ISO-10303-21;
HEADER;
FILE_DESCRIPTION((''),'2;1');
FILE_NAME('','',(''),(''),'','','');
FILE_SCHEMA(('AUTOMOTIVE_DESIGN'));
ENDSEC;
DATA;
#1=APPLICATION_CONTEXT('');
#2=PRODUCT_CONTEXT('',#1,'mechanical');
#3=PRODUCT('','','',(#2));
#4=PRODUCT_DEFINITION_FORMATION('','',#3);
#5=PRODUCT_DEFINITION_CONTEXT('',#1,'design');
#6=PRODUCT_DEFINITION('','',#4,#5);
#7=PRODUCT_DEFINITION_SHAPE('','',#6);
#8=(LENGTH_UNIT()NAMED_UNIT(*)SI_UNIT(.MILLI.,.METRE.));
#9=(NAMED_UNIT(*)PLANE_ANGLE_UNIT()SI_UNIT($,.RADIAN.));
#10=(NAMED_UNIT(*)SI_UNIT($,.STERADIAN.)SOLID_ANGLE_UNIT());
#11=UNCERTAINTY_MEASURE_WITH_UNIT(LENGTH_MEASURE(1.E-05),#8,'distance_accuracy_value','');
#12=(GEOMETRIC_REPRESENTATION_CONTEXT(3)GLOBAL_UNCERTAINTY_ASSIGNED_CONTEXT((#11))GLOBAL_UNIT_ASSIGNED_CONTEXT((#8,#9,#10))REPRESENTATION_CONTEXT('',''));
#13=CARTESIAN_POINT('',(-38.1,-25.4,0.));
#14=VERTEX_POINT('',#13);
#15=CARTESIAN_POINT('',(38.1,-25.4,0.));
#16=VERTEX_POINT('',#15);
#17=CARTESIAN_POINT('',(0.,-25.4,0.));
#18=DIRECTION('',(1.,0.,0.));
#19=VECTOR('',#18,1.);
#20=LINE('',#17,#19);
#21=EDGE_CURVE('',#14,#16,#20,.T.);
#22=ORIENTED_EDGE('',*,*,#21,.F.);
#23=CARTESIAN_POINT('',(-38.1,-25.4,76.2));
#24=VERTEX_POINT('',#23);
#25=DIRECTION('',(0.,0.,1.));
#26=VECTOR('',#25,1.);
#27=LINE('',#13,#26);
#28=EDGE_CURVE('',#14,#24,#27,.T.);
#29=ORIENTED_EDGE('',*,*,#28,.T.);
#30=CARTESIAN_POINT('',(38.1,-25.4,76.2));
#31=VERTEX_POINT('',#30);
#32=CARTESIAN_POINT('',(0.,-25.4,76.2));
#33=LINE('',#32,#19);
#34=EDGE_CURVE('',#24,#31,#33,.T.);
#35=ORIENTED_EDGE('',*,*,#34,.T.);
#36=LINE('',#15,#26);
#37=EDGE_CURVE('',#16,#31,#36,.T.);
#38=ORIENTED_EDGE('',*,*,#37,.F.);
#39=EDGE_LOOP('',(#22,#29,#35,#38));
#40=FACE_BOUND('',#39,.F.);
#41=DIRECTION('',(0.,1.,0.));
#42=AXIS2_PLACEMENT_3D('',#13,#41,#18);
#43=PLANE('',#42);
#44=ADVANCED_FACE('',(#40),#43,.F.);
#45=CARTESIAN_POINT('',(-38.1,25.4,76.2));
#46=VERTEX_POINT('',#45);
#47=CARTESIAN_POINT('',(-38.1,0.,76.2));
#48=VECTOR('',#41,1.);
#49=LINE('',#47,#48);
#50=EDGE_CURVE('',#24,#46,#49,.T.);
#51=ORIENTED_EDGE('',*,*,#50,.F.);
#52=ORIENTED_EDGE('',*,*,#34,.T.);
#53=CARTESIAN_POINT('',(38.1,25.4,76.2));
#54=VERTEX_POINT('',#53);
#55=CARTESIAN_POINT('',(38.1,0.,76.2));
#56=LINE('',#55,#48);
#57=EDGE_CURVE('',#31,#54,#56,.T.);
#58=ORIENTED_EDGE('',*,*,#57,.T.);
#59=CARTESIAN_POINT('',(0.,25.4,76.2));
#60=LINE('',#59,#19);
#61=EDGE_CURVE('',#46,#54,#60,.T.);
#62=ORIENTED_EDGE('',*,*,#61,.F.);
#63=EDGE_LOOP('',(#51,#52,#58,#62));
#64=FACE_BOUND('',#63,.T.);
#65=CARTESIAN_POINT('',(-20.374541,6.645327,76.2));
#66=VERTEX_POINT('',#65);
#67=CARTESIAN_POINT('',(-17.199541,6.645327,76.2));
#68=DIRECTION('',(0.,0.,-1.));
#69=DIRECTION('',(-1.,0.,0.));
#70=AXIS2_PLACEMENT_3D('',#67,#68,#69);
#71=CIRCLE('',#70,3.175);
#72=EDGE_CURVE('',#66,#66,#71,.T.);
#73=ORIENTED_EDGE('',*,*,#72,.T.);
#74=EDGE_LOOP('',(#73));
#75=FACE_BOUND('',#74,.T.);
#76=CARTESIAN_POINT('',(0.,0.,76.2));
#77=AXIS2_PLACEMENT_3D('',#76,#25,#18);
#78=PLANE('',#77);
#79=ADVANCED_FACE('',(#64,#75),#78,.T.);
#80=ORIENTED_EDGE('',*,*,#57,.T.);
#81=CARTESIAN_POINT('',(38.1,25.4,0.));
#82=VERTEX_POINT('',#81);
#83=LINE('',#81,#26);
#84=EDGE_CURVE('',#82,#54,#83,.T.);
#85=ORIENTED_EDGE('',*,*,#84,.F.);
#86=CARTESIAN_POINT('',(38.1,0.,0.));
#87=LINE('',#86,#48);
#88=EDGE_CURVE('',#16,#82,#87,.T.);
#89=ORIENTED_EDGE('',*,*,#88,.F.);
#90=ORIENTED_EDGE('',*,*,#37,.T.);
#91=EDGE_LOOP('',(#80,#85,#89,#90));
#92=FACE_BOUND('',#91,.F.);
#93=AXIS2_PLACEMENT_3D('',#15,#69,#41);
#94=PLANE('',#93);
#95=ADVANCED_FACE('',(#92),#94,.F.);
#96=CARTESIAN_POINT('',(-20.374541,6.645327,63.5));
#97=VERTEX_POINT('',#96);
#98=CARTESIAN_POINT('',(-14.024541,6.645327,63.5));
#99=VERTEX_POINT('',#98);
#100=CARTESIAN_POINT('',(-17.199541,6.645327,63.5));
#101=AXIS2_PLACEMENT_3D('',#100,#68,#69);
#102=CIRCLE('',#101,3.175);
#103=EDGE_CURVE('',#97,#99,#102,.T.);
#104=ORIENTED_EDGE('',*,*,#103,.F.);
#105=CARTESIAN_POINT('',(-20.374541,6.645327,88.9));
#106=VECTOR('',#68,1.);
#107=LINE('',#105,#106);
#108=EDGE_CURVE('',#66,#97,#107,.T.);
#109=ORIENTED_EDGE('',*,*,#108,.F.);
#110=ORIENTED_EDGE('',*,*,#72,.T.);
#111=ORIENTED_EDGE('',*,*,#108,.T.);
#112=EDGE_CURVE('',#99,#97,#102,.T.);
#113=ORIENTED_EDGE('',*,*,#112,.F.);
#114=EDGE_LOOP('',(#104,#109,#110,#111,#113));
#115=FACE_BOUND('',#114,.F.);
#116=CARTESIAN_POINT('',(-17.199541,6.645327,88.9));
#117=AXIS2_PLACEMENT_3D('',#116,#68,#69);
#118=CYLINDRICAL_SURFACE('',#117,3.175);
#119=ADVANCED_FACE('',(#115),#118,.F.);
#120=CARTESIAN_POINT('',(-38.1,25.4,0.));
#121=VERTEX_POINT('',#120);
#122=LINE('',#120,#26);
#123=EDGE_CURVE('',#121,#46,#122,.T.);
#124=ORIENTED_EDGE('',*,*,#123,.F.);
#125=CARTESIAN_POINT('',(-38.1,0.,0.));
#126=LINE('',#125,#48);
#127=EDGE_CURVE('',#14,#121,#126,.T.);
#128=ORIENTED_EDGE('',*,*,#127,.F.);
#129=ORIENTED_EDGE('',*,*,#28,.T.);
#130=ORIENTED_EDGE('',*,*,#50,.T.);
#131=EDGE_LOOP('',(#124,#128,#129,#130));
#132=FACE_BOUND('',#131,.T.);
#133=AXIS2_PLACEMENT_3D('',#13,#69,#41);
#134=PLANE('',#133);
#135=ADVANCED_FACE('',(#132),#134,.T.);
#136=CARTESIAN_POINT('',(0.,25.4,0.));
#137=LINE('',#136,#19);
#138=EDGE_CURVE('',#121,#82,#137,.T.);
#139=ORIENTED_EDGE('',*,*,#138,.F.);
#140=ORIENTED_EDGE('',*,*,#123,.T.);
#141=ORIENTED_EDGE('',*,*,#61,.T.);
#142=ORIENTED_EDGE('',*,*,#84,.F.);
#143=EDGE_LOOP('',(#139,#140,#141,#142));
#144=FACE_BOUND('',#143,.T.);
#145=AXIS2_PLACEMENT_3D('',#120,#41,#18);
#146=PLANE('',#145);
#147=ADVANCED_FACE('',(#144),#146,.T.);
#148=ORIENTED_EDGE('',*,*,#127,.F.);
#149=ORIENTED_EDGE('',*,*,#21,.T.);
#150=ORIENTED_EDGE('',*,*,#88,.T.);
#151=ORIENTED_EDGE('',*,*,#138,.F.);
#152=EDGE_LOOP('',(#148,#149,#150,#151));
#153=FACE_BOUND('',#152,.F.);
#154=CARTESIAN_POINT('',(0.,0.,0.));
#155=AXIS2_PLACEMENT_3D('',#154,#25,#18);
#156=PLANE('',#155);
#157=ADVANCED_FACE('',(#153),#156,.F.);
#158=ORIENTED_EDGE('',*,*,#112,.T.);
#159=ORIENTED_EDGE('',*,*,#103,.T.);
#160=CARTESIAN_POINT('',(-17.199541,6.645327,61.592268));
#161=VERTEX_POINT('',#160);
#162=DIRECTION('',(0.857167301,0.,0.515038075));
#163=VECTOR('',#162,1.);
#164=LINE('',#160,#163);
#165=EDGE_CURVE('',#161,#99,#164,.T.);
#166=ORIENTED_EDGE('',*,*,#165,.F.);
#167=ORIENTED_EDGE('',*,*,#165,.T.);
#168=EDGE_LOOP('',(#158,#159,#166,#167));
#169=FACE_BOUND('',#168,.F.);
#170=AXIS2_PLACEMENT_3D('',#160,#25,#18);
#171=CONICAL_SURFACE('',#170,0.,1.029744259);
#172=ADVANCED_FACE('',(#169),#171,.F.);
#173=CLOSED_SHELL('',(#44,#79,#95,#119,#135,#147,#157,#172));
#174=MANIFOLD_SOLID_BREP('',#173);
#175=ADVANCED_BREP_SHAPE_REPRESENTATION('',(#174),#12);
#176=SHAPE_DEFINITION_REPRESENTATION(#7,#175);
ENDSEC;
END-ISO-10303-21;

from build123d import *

# Parameters (mm, degrees)
F0_W     = 76.2
F0_H     = 50.8
F1_DEPTH = 76.2
F3_D     = 6.35
F3_DEPTH = 12.7
F3_TIP   = 1.9077324654


with BuildPart() as f1:
    # F0 (on Top) → F1 (new body)
    with BuildSketch(Plane.XY):
        Rectangle(F0_W, F0_H)
    extrude(amount=F1_DEPTH)

    # F3
    with Locations(Plane.XY.offset(76.2)):
        with Locations((-17.1995405108, 6.6453265026)):
            Hole(F3_D / 2, depth=F3_DEPTH)
            with Locations((0, 0, -(F3_DEPTH + F3_TIP / 2))):  # 118° drill point
                Cone(0, F3_D / 2, F3_TIP, mode=Mode.SUBTRACT)


solid = f1.part
